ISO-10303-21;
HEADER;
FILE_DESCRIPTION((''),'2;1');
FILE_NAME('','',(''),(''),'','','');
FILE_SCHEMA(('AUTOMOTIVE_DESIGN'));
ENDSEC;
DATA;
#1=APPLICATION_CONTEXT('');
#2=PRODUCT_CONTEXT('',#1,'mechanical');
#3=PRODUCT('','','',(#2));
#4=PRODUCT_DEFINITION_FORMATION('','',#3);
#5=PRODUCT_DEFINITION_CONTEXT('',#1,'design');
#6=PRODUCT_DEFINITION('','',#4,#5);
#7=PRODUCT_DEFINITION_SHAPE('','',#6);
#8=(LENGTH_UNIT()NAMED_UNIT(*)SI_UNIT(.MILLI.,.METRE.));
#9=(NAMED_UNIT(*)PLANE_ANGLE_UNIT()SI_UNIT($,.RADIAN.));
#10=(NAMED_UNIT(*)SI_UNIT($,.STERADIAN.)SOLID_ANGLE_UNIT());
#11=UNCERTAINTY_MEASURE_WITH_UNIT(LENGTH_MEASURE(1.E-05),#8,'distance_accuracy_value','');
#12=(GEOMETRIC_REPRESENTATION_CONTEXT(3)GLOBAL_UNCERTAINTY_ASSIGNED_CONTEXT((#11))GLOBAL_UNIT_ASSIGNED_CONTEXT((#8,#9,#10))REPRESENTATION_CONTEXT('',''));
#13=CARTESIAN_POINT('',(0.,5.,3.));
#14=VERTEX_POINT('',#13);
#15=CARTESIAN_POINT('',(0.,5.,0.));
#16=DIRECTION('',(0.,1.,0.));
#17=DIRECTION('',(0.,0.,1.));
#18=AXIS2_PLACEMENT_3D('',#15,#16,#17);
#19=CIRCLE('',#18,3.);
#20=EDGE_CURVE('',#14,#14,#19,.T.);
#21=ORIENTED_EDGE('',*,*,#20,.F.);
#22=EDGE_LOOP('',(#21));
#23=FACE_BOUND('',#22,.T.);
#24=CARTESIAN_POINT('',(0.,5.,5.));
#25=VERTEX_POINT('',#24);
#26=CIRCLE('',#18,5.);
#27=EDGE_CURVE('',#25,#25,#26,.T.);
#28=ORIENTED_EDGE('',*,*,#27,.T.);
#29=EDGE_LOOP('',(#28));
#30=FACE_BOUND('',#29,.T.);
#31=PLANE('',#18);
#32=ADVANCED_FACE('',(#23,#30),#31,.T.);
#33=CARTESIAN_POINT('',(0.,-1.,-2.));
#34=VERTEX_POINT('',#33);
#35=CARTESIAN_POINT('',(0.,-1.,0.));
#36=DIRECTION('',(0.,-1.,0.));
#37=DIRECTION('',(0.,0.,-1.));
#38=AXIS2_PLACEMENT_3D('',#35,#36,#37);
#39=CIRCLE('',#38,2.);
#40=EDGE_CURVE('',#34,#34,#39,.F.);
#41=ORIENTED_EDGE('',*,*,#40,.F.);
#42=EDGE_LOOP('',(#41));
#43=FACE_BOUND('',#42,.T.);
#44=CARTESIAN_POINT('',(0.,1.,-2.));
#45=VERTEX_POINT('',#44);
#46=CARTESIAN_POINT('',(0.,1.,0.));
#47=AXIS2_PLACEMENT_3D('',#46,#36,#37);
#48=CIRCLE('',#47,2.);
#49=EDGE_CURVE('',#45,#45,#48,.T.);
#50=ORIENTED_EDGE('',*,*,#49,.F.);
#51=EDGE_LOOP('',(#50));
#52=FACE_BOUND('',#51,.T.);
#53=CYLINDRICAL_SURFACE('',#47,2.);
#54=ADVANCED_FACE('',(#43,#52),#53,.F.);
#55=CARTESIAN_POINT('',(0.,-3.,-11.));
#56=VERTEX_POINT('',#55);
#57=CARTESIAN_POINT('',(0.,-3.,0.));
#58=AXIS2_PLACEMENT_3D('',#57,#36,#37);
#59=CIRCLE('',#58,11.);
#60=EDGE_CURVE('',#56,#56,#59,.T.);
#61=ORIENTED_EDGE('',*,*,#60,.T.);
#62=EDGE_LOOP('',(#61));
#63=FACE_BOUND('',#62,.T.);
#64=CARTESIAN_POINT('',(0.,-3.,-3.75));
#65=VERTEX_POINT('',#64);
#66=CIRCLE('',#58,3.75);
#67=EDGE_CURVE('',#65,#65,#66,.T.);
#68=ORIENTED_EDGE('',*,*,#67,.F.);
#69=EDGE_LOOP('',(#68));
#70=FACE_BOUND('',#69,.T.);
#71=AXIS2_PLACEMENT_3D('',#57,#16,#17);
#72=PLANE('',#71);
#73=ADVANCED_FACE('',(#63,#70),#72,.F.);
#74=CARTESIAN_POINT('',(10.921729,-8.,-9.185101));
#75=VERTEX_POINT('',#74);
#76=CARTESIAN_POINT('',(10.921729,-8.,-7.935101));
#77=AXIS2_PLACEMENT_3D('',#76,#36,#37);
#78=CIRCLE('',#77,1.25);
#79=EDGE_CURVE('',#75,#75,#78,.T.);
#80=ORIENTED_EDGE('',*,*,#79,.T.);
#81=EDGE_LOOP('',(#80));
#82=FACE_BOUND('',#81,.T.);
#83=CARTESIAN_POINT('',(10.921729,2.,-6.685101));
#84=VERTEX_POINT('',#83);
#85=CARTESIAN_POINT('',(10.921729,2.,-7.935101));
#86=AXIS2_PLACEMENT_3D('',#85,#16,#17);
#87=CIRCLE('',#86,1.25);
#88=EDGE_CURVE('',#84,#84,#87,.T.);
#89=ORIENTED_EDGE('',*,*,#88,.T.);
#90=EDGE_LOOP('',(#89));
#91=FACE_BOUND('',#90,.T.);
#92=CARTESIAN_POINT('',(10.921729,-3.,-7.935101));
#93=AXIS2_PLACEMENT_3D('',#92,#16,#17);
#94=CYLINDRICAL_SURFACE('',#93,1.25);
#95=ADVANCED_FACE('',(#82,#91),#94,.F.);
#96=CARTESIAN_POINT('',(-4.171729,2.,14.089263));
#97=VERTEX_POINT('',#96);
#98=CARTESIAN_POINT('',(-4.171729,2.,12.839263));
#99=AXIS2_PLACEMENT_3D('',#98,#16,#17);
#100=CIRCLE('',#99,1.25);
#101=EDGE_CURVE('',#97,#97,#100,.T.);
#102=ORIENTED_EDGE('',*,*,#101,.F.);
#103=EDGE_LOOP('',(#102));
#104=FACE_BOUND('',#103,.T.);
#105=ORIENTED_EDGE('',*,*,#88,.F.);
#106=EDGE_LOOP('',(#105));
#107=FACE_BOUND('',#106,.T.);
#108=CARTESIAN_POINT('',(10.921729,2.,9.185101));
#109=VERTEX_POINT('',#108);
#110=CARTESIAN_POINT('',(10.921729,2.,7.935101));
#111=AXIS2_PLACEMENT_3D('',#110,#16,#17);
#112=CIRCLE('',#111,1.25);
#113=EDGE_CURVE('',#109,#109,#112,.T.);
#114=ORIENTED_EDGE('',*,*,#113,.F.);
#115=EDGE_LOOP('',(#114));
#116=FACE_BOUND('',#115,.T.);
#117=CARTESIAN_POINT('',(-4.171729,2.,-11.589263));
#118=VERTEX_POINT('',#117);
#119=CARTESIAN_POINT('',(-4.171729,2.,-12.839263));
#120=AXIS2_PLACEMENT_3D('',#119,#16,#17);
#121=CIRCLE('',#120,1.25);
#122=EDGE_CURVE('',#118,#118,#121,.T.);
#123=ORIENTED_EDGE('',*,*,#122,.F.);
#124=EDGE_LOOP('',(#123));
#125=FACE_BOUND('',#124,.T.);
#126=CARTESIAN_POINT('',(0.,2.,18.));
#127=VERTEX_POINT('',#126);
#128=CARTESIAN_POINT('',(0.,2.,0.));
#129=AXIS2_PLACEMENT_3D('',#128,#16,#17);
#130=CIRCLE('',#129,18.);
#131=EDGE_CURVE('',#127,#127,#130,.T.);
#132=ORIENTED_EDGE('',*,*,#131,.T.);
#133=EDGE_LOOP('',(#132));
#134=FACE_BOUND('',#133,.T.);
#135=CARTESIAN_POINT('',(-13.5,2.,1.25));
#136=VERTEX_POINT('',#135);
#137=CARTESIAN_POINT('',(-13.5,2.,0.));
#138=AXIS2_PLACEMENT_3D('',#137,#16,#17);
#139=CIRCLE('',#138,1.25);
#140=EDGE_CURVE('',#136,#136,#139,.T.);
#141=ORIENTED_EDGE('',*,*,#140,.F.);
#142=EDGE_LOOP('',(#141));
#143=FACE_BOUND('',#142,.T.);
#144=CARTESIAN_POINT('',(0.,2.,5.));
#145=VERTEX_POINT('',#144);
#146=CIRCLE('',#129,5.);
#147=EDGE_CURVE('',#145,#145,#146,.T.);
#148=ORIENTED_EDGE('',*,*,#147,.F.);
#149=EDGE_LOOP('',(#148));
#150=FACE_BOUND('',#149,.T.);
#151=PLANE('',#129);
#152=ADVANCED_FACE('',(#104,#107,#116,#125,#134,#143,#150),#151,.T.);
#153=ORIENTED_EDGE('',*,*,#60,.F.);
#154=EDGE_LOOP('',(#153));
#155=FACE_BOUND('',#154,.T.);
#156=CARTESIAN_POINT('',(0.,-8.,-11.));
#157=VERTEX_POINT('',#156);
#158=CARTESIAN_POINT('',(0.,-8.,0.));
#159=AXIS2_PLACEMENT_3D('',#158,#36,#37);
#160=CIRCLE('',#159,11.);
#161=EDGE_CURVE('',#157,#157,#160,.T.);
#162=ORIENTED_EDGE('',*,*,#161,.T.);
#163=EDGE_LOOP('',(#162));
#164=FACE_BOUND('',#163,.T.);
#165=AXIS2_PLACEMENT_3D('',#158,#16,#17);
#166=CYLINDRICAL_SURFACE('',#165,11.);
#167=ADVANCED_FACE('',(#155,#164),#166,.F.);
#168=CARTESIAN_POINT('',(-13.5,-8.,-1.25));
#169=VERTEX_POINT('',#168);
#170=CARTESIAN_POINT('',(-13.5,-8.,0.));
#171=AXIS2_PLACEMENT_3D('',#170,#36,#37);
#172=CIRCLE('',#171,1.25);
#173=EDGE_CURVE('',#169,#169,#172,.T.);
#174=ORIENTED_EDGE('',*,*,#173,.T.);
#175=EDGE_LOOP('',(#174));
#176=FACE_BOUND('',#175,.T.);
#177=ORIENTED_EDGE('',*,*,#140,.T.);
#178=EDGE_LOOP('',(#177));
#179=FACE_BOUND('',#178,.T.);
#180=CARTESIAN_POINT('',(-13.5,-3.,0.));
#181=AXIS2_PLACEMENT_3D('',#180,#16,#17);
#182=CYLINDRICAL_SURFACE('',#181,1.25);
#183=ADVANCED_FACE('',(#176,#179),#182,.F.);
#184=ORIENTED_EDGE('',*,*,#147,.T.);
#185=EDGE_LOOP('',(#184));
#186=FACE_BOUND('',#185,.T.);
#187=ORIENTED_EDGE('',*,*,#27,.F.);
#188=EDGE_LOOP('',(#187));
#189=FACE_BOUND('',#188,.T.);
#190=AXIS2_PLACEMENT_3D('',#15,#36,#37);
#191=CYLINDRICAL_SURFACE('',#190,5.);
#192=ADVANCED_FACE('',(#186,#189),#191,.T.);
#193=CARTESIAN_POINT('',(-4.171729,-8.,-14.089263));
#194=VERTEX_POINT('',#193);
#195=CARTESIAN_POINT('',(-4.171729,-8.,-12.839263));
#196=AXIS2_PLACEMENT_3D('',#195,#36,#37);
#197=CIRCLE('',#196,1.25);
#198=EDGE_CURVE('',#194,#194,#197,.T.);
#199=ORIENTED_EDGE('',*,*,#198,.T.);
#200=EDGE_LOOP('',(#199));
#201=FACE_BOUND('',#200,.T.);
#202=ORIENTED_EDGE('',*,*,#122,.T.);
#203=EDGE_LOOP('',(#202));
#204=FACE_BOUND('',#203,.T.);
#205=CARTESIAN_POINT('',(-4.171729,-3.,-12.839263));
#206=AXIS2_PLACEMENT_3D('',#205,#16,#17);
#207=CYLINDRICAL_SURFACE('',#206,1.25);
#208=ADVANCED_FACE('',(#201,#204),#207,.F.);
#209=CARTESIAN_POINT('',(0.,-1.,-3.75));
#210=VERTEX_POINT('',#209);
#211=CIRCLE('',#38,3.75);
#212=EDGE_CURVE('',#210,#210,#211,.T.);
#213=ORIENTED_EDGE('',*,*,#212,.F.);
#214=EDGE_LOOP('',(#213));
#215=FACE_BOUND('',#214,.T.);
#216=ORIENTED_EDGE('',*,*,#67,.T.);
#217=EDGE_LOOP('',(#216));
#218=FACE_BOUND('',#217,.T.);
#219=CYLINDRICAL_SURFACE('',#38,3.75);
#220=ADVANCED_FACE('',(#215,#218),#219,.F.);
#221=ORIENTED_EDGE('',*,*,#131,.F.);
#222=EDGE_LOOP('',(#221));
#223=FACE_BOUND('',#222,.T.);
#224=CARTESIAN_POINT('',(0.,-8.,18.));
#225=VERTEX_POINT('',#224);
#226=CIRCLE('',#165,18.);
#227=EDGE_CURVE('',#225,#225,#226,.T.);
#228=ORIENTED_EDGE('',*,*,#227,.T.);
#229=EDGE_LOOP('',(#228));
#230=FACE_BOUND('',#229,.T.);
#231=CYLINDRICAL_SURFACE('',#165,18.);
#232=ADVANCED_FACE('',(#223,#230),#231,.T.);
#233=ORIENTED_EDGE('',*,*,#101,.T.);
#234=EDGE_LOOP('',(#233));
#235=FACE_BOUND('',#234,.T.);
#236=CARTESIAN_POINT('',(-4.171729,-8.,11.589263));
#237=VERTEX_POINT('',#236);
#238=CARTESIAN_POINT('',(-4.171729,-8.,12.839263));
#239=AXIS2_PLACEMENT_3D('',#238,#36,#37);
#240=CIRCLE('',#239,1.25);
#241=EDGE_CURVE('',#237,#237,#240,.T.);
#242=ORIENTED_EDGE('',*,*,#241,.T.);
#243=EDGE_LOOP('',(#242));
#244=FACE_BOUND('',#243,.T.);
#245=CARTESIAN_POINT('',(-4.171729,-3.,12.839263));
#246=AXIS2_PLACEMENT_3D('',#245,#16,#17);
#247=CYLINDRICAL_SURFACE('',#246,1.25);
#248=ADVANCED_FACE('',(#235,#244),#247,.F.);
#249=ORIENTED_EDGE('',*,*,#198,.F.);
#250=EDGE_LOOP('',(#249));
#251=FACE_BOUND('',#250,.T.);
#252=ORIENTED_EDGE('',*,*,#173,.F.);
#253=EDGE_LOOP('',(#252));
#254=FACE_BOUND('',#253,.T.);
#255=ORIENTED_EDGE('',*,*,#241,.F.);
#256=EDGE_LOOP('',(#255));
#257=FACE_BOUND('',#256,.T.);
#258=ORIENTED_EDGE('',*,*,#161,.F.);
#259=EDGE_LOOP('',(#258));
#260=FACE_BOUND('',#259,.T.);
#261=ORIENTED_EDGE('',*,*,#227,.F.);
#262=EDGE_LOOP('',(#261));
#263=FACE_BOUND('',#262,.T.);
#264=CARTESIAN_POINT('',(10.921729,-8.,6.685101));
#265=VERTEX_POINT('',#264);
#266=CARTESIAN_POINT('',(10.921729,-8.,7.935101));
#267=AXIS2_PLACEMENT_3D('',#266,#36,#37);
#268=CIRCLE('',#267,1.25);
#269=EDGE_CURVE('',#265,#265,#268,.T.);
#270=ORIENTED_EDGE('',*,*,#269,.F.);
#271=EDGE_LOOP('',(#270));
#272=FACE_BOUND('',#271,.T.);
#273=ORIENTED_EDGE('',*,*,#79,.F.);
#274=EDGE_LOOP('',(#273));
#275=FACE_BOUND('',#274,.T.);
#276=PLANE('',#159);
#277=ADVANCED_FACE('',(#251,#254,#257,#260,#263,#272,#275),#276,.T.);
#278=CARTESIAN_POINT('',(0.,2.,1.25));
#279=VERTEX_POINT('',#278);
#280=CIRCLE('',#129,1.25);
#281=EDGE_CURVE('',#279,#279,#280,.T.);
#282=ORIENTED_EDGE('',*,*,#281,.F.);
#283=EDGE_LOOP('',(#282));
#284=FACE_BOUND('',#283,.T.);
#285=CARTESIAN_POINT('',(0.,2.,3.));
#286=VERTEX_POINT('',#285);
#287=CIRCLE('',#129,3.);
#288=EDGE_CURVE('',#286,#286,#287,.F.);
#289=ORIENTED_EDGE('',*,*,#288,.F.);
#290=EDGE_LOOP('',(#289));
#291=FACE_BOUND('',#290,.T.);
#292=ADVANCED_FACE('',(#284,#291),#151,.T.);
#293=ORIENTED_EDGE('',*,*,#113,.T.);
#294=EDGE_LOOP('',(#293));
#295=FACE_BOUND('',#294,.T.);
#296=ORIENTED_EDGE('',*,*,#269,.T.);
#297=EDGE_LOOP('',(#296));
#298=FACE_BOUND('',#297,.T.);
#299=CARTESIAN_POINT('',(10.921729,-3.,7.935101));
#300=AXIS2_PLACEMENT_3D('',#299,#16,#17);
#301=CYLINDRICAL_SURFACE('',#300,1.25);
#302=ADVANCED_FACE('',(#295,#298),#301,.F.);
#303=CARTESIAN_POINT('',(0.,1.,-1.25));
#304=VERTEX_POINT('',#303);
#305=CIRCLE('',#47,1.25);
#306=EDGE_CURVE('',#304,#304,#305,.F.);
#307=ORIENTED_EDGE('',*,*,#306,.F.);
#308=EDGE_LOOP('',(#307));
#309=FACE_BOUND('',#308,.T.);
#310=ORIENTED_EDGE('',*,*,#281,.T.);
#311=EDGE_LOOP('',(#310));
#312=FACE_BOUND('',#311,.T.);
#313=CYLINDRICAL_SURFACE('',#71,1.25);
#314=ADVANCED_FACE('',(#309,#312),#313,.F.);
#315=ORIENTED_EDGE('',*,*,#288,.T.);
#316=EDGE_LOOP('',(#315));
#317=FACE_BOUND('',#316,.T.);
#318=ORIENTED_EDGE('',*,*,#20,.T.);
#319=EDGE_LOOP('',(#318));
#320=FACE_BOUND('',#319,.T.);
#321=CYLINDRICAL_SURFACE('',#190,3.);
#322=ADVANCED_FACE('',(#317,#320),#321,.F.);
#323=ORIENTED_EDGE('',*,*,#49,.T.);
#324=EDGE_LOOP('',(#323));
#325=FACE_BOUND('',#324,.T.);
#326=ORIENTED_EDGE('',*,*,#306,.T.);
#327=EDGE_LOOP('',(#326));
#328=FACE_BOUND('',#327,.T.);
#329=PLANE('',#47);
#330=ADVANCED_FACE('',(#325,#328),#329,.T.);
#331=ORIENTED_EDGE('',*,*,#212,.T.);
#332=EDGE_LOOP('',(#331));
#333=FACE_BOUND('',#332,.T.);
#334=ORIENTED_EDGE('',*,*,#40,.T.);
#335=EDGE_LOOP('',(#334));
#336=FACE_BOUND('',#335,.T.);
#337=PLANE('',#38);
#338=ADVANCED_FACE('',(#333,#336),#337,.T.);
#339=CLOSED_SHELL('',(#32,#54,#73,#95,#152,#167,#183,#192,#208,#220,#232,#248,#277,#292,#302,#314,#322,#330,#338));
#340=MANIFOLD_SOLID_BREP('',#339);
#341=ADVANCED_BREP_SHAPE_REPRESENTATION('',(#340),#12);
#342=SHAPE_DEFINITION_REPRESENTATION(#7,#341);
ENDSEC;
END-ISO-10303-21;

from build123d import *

# Parameters (mm, degrees)
BOSS_EXTRUDE1_DEPTH      = 2
BOSS_EXTRUDE1_DEPTH_BACK = 3
SKETCH1_R                = 16
SKETCH1_R_2              = 1.25
SKETCH2_R                = 5
SKETCH2_R_2              = 3
BOSS_EXTRUDE3_DEPTH      = 3
SKETCH5_R                = 2.75
CUT_EXTRUDE2_DEPTH       = 1
SKETCH6_R                = 16
SKETCH6_R_2              = 11
SKETCH6_R_3              = 1.25
BOSS_EXTRUDE4_DEPTH      = 5
SKETCH7_R                = 18
SKETCH7_R_2              = 16
BOSS_EXTRUDE5_DEPTH      = 10
SKETCH8_R                = 2
CUT_EXTRUDE3_DEPTH       = 3
SKETCH9_R                = 3.75
CUT_EXTRUDE4_DEPTH       = 2


with BuildPart() as part:
    # Sketch1 → Boss-Extrude1 (new, two sides: drawn at the far end of the back side and taken through both)
    with BuildSketch(Plane(origin=(0, 0, 0), x_dir=(1, 0, 0), z_dir=(0, 1, 0)).offset(-BOSS_EXTRUDE1_DEPTH_BACK)):
        with Locations(Location((0, 0, 0), (0, 0, 270))):
            Circle(SKETCH1_R)
        with Locations(Location((0, 0, 0), (0, 0, 270))):
            Circle(SKETCH1_R_2, mode=Mode.SUBTRACT)
        with Locations(Location((-13.5, 0, 0), (0, 0, 270))):
            Circle(SKETCH1_R_2, mode=Mode.SUBTRACT)
        with Locations(Location((-4.171729424, 12.83926297, 0), (0, 0, 270))):
            Circle(SKETCH1_R_2, mode=Mode.SUBTRACT)
        with Locations(Location((10.921729424, 7.935100906, 0), (0, 0, 270))):
            Circle(SKETCH1_R_2, mode=Mode.SUBTRACT)
        with Locations(Location((10.921729424, -7.935100906, 0), (0, 0, 270))):
            Circle(SKETCH1_R_2, mode=Mode.SUBTRACT)
        with Locations(Location((-4.171729424, -12.83926297, 0), (0, 0, 270))):
            Circle(SKETCH1_R_2, mode=Mode.SUBTRACT)
    extrude(amount=BOSS_EXTRUDE1_DEPTH + BOSS_EXTRUDE1_DEPTH_BACK)

    # Sketch2 → Boss-Extrude3 (add)
    with BuildSketch(Plane(origin=(0, 2, 0), x_dir=(1, 0, 0), z_dir=(0, 1, 0))):
        with Locations(Location((0, 0, 0), (0, 0, 270))):
            Circle(SKETCH2_R)
        with Locations(Location((0, 0, 0), (0, 0, 270))):
            Circle(SKETCH2_R_2, mode=Mode.SUBTRACT)
    extrude(amount=BOSS_EXTRUDE3_DEPTH)

    # Sketch5 → Cut-Extrude2 (cut)
    with BuildSketch(Plane.XZ.offset(3)):
        with Locations(Location((0, 0, 0), (0, 0, 270))):
            Circle(SKETCH5_R)
    extrude(amount=-CUT_EXTRUDE2_DEPTH, mode=Mode.SUBTRACT)

    # Sketch6 → Boss-Extrude4 (add)
    with BuildSketch(Plane.XZ.offset(3)):
        with Locations(Location((0, 0, 0), (0, 0, 90))):
            Circle(SKETCH6_R)
        with Locations(Location((0, 0, 0), (0, 0, 270))):
            Circle(SKETCH6_R_2, mode=Mode.SUBTRACT)
        with Locations(Location((-13.5, 0, 0), (0, 0, 90))):
            Circle(SKETCH6_R_3, mode=Mode.SUBTRACT)
        with Locations(Location((-4.171729424, 12.83926297, 0), (0, 0, 90))):
            Circle(SKETCH6_R_3, mode=Mode.SUBTRACT)
        with Locations(Location((10.921729424, 7.935100906, 0), (0, 0, 90))):
            Circle(SKETCH6_R_3, mode=Mode.SUBTRACT)
        with Locations(Location((10.921729424, -7.935100906, 0), (0, 0, 90))):
            Circle(SKETCH6_R_3, mode=Mode.SUBTRACT)
        with Locations(Location((-4.171729424, -12.83926297, 0), (0, 0, 90))):
            Circle(SKETCH6_R_3, mode=Mode.SUBTRACT)
    extrude(amount=BOSS_EXTRUDE4_DEPTH)

    # Sketch7 → Boss-Extrude5 (add)
    with BuildSketch(Plane(origin=(0, 2, 0), x_dir=(1, 0, 0), z_dir=(0, 1, 0))):
        with Locations(Location((0, 0, 0), (0, 0, 270))):
            Circle(SKETCH7_R)
        Circle(SKETCH7_R_2, mode=Mode.SUBTRACT)
    extrude(amount=-BOSS_EXTRUDE5_DEPTH)

    # Sketch8 → Cut-Extrude3 (cut)
    with BuildSketch(Plane.XZ.offset(2)):
        with Locations(Location((0, 0, 0), (0, 0, 270))):
            Circle(SKETCH8_R)
    extrude(amount=-CUT_EXTRUDE3_DEPTH, mode=Mode.SUBTRACT)

    # Sketch9 → Cut-Extrude4 (cut)
    with BuildSketch(Plane.XZ.offset(3)):
        with Locations(Location((0, 0, 0), (0, 0, 270))):
            Circle(SKETCH9_R)
    extrude(amount=-CUT_EXTRUDE4_DEPTH, mode=Mode.SUBTRACT)


solid = part.part
